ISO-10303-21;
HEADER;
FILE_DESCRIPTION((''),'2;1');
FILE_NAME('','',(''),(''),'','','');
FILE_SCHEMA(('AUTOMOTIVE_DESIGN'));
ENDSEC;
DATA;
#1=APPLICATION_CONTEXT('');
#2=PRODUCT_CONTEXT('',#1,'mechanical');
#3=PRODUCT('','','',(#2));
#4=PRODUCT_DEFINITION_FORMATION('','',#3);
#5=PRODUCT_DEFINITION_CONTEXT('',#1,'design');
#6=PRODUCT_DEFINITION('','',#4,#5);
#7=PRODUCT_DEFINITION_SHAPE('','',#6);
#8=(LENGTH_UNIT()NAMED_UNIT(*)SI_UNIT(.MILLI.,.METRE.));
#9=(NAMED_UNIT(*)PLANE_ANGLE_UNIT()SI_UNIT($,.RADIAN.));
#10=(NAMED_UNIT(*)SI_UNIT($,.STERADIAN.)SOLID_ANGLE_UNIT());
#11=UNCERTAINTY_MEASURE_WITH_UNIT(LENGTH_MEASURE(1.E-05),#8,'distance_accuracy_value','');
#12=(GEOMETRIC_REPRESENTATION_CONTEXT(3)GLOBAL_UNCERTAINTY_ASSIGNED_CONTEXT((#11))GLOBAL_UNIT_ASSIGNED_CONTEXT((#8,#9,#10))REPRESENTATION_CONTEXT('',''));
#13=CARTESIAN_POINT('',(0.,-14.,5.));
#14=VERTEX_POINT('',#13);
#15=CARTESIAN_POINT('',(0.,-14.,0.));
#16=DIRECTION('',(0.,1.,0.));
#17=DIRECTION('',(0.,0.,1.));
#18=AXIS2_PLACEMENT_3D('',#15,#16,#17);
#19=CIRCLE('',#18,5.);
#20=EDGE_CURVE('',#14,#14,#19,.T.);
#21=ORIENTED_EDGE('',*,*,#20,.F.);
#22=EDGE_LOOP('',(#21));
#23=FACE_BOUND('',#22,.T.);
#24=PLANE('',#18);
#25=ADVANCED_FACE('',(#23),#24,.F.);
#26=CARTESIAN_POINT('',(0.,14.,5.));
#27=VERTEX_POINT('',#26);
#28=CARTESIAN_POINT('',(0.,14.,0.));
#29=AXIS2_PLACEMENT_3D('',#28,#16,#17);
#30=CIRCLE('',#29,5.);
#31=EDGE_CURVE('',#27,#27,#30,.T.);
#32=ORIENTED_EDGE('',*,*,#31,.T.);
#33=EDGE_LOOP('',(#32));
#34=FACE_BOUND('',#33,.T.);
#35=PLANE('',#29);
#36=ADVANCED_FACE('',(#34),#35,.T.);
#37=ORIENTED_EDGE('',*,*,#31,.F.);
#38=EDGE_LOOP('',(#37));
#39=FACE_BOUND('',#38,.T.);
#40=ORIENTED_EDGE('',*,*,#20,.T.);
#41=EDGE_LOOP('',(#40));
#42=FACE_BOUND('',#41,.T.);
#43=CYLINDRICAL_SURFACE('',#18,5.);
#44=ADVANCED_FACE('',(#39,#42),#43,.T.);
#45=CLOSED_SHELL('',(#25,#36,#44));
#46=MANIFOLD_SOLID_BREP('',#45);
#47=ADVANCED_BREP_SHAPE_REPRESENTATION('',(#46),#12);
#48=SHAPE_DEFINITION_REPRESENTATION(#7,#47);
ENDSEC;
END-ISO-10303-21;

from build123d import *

# Parameters (mm, degrees)
BOSS_EXTRUDE1_DEPTH      = 14
BOSS_EXTRUDE1_DEPTH_BACK = 14
SKETCH1_R                = 5


with BuildPart() as part:
    # Sketch1 → Boss-Extrude1 (new, two sides: drawn at the far end of the back side and taken through both)
    with BuildSketch(Plane(origin=(0, 0, 0), x_dir=(1, 0, 0), z_dir=(0, 1, 0)).offset(-BOSS_EXTRUDE1_DEPTH_BACK)):
        Circle(SKETCH1_R)
    extrude(amount=BOSS_EXTRUDE1_DEPTH + BOSS_EXTRUDE1_DEPTH_BACK)


solid = part.part
